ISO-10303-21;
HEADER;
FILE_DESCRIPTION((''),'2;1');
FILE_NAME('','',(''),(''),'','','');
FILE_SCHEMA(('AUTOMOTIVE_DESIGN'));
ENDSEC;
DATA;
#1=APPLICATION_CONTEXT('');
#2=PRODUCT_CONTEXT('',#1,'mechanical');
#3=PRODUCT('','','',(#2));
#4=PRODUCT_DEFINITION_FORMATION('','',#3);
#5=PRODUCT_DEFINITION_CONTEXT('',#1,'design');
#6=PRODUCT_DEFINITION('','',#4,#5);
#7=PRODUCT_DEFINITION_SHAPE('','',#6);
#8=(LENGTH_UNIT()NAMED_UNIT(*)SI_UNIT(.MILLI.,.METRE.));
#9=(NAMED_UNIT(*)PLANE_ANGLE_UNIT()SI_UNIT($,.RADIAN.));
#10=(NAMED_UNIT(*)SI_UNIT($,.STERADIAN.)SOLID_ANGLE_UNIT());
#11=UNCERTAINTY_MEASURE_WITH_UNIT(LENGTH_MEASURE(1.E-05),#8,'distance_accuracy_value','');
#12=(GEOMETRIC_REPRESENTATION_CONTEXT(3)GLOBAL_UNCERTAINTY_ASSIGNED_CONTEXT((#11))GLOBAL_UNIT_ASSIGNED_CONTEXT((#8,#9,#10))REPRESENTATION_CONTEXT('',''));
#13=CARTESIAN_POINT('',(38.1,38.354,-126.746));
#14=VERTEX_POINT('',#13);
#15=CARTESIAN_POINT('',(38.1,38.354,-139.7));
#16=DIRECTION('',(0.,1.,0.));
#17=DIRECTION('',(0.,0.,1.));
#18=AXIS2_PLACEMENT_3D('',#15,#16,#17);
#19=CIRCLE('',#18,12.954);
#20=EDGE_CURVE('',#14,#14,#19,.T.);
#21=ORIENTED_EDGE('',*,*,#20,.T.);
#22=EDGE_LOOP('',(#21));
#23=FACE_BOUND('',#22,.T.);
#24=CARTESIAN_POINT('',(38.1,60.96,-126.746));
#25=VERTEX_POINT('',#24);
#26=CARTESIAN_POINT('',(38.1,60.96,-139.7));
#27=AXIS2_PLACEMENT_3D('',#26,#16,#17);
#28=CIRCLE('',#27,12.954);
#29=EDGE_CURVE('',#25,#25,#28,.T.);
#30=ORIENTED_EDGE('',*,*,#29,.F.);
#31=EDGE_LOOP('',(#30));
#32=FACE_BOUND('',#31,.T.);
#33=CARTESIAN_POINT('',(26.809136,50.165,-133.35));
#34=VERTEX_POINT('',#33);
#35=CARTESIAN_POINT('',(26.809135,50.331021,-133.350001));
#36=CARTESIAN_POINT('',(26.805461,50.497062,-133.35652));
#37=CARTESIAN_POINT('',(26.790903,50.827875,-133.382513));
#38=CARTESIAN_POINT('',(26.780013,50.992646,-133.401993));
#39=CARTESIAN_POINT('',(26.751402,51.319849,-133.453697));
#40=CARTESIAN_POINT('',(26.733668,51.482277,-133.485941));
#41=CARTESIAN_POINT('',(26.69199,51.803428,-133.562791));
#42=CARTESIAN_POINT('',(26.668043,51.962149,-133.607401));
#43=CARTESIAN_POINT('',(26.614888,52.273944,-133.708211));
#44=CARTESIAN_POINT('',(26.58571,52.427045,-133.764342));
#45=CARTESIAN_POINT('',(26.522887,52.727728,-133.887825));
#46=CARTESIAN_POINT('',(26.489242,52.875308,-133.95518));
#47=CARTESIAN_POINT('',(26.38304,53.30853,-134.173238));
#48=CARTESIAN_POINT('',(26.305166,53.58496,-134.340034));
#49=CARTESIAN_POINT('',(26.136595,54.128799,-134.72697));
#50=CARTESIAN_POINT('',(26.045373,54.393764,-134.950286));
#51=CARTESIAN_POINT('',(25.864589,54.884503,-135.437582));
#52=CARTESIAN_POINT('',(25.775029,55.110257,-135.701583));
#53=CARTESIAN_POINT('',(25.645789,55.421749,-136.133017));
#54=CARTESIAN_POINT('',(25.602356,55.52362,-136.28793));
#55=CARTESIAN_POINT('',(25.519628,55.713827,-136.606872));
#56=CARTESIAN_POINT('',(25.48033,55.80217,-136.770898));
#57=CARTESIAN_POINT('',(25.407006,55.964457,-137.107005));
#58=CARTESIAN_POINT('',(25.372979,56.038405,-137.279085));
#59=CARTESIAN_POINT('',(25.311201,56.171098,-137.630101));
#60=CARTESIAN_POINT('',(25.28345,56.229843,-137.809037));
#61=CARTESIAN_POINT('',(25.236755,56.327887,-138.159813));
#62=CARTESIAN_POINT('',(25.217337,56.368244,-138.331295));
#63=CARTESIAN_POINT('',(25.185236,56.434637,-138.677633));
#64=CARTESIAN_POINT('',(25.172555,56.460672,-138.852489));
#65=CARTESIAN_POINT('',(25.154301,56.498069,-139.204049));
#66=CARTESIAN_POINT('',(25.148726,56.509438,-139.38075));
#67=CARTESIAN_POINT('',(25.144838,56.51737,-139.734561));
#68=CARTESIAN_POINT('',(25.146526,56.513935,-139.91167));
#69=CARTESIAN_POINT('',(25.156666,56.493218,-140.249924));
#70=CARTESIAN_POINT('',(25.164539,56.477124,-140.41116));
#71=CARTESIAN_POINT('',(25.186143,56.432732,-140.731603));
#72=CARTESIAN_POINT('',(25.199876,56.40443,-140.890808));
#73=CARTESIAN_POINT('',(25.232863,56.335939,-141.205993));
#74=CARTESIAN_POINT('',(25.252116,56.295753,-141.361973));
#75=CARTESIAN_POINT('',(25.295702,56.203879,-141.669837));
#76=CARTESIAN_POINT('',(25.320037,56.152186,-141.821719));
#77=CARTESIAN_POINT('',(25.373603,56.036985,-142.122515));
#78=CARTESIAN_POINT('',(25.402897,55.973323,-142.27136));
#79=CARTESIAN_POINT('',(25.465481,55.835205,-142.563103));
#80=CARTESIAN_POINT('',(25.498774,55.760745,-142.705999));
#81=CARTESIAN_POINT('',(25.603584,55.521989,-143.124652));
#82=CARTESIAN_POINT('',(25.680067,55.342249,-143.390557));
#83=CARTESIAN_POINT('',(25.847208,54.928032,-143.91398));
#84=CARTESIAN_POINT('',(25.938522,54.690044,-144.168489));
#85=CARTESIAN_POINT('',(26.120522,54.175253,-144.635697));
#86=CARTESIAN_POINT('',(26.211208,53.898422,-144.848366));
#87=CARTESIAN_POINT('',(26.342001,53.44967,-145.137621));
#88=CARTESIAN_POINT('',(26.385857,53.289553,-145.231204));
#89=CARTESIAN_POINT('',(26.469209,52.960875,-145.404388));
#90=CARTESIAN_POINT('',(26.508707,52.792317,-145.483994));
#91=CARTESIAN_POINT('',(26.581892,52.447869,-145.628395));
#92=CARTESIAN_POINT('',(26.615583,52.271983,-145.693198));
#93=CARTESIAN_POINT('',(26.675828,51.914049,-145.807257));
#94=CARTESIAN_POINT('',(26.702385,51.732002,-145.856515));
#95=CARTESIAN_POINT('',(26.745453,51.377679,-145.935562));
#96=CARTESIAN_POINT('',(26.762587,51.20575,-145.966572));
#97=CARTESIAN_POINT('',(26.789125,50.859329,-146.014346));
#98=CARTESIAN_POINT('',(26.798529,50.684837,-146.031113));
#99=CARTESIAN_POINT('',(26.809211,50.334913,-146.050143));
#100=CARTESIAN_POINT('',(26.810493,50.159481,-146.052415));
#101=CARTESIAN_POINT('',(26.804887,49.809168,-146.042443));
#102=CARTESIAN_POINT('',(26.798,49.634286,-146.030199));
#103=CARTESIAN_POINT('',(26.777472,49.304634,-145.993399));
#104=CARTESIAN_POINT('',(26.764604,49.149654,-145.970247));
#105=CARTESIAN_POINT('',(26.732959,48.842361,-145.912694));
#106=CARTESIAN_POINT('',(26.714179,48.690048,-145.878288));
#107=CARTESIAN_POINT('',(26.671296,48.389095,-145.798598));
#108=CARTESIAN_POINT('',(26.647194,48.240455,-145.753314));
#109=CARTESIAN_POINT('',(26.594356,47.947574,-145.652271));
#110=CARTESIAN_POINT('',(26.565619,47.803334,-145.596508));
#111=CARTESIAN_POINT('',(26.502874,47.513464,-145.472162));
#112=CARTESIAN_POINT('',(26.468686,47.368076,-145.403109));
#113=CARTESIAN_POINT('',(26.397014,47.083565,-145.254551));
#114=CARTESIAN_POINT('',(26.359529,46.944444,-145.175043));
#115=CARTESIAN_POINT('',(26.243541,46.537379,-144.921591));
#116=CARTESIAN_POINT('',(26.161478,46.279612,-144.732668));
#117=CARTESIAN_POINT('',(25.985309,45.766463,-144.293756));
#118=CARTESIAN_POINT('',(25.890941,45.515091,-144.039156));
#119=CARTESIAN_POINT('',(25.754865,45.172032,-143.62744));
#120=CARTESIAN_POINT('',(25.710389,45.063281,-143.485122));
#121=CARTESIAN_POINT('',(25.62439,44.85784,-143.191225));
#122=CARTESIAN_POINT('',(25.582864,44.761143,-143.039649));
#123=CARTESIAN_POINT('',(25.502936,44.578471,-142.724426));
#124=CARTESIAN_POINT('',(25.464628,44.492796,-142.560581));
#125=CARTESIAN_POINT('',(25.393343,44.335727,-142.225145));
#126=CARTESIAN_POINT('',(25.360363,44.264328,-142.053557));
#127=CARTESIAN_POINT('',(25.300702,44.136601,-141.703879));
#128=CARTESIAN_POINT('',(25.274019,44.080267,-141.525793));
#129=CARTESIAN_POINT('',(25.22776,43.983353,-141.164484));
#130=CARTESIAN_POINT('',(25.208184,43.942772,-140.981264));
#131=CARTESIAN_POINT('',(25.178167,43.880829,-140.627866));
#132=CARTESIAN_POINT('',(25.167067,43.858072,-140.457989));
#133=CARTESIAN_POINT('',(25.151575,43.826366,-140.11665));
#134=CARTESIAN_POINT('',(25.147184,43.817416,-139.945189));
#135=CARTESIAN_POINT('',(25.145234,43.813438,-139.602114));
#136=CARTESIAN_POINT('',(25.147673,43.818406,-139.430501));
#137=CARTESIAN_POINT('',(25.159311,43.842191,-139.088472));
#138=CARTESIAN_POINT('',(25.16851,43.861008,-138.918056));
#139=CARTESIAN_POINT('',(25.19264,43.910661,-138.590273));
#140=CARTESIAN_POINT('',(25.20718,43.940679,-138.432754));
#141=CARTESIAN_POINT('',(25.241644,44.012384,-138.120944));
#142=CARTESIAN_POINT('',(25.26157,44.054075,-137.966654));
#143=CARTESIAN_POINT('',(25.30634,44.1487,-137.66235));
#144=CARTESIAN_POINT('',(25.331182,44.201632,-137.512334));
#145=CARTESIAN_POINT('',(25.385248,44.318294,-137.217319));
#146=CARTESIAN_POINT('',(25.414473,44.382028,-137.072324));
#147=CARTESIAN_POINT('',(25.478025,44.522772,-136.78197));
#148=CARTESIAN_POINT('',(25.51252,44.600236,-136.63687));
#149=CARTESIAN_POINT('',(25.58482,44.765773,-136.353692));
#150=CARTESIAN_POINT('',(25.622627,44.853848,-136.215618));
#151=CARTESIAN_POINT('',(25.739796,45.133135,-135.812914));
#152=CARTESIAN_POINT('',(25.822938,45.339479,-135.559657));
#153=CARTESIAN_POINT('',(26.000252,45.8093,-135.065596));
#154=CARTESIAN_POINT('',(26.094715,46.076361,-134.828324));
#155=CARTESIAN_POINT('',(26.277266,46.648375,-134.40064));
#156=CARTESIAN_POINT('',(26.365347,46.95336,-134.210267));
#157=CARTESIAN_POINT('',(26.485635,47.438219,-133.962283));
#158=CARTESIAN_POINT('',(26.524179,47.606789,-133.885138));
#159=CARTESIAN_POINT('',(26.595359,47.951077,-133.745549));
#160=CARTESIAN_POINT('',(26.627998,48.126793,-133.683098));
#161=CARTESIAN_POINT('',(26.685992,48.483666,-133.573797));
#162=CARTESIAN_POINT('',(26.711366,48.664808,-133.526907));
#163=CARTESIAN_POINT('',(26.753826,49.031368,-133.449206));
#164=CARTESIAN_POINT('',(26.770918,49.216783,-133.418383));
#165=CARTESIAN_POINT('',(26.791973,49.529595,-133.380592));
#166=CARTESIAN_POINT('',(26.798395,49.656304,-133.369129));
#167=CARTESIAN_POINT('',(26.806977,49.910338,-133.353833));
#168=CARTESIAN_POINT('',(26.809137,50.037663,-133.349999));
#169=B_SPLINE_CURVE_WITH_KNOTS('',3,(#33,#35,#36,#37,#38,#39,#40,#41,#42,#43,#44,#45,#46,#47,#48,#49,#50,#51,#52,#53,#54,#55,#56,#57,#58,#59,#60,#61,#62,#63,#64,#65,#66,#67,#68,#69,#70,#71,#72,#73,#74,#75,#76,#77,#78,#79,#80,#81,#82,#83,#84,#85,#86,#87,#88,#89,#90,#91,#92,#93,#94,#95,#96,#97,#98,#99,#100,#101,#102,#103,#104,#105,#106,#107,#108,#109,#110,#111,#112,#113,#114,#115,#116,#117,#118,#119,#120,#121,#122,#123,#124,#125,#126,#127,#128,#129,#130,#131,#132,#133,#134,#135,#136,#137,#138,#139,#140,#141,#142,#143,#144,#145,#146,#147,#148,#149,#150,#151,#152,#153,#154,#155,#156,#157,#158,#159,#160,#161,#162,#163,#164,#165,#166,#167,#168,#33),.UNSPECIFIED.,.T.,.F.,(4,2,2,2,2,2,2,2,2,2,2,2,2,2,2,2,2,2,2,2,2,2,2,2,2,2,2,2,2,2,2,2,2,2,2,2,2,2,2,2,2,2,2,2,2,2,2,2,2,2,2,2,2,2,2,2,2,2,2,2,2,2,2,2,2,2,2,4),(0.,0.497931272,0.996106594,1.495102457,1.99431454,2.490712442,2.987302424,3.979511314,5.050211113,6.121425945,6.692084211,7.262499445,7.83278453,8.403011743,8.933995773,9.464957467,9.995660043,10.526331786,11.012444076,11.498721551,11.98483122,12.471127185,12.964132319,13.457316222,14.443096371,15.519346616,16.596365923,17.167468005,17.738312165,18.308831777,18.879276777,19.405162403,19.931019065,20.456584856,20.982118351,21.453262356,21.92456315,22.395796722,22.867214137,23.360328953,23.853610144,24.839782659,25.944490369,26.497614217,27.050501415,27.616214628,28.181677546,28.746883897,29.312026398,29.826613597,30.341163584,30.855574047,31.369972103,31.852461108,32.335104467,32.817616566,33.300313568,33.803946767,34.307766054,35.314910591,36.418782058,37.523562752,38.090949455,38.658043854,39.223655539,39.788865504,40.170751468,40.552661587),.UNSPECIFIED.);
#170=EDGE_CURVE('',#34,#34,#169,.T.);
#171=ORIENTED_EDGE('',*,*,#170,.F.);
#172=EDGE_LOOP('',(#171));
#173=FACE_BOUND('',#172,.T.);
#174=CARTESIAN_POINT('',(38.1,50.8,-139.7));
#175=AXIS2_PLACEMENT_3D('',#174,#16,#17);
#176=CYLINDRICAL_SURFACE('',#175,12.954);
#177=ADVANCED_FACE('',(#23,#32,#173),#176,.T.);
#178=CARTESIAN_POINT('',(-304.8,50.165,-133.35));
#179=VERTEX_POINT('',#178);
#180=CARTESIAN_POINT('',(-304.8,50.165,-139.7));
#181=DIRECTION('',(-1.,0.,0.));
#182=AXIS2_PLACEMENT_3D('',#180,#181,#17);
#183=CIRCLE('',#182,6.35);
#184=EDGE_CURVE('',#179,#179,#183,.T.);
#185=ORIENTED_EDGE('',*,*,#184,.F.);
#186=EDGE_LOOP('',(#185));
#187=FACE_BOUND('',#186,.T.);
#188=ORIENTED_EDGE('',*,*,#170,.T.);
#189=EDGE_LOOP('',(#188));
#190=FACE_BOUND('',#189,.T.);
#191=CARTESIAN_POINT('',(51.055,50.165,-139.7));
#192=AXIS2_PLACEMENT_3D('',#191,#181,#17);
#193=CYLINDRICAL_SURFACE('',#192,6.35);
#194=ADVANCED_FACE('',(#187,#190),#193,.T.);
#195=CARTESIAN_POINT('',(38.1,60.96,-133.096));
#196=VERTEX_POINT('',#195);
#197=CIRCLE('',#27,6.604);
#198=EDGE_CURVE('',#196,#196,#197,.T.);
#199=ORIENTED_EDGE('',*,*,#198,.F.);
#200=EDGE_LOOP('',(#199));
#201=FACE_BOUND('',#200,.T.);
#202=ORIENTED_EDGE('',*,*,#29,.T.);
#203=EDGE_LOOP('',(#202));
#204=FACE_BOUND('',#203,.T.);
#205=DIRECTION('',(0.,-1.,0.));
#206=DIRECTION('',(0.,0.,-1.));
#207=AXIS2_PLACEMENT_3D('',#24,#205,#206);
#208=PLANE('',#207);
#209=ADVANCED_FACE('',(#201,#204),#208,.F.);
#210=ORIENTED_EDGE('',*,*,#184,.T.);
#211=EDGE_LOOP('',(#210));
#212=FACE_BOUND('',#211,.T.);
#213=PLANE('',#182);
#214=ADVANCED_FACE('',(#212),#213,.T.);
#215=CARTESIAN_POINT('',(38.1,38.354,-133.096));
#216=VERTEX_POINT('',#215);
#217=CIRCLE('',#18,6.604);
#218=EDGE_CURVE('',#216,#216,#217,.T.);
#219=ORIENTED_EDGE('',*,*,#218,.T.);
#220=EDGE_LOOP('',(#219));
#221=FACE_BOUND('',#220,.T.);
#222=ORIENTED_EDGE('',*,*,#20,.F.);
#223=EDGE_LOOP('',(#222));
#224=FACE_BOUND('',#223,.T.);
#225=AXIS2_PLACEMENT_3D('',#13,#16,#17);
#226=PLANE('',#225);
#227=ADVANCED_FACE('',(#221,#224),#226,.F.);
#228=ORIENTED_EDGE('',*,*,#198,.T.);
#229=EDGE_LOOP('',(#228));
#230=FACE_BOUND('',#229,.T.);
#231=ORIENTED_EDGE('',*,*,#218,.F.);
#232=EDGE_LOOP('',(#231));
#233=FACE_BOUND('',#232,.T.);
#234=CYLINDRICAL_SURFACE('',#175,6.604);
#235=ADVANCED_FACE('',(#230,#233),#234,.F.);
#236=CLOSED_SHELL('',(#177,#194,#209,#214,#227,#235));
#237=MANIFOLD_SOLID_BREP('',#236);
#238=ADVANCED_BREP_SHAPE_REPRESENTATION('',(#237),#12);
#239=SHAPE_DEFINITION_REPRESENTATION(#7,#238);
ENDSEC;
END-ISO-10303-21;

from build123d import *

# Parameters (mm, degrees)
SKETCH2_W                       = 22.606
SKETCH2_H                       = 6.35
SKETCH3_R                       = 6.35
BOSS_EXTRUDE1_DEPTH             = 304.8
BOSS_EXTRUDE1_DIRECTION_2_REACH = 174.122


with BuildPart() as part:
    # Sketch2 → Revolve1 (revolve)
    with BuildSketch(Plane(origin=(38.1, 0, 0), x_dir=(0, -1, 0), z_dir=(-1, 0, 0))):
        with Locations((-49.657, -129.921)):
            Rectangle(SKETCH2_W, SKETCH2_H)
    revolve(axis=Axis((38.1, 50.8, -139.7), (0, -1, 0)))

    # Sketch3 → Boss-Extrude1 (add)
    with BuildSketch(Plane.ZY):
        with Locations((-139.7, 50.165)):
            Circle(SKETCH3_R)
    extrude(amount=BOSS_EXTRUDE1_DEPTH)

    # Sketch3 → Boss-Extrude1 direction 2 (add, up to next)
    with BuildSketch(Plane.ZY, mode=Mode.PRIVATE) as boss_extrude1_direction_2_sk1:
        with Locations((-139.7, 50.165)):
            Circle(SKETCH3_R)
    boss_extrude1_direction_2_tool1 = extrude(boss_extrude1_direction_2_sk1.sketch, amount=-BOSS_EXTRUDE1_DIRECTION_2_REACH, mode=Mode.PRIVATE) - part.part
    add(boss_extrude1_direction_2_tool1.solids().sort_by_distance((0, 50.165, -139.7))[0])


solid = part.part
